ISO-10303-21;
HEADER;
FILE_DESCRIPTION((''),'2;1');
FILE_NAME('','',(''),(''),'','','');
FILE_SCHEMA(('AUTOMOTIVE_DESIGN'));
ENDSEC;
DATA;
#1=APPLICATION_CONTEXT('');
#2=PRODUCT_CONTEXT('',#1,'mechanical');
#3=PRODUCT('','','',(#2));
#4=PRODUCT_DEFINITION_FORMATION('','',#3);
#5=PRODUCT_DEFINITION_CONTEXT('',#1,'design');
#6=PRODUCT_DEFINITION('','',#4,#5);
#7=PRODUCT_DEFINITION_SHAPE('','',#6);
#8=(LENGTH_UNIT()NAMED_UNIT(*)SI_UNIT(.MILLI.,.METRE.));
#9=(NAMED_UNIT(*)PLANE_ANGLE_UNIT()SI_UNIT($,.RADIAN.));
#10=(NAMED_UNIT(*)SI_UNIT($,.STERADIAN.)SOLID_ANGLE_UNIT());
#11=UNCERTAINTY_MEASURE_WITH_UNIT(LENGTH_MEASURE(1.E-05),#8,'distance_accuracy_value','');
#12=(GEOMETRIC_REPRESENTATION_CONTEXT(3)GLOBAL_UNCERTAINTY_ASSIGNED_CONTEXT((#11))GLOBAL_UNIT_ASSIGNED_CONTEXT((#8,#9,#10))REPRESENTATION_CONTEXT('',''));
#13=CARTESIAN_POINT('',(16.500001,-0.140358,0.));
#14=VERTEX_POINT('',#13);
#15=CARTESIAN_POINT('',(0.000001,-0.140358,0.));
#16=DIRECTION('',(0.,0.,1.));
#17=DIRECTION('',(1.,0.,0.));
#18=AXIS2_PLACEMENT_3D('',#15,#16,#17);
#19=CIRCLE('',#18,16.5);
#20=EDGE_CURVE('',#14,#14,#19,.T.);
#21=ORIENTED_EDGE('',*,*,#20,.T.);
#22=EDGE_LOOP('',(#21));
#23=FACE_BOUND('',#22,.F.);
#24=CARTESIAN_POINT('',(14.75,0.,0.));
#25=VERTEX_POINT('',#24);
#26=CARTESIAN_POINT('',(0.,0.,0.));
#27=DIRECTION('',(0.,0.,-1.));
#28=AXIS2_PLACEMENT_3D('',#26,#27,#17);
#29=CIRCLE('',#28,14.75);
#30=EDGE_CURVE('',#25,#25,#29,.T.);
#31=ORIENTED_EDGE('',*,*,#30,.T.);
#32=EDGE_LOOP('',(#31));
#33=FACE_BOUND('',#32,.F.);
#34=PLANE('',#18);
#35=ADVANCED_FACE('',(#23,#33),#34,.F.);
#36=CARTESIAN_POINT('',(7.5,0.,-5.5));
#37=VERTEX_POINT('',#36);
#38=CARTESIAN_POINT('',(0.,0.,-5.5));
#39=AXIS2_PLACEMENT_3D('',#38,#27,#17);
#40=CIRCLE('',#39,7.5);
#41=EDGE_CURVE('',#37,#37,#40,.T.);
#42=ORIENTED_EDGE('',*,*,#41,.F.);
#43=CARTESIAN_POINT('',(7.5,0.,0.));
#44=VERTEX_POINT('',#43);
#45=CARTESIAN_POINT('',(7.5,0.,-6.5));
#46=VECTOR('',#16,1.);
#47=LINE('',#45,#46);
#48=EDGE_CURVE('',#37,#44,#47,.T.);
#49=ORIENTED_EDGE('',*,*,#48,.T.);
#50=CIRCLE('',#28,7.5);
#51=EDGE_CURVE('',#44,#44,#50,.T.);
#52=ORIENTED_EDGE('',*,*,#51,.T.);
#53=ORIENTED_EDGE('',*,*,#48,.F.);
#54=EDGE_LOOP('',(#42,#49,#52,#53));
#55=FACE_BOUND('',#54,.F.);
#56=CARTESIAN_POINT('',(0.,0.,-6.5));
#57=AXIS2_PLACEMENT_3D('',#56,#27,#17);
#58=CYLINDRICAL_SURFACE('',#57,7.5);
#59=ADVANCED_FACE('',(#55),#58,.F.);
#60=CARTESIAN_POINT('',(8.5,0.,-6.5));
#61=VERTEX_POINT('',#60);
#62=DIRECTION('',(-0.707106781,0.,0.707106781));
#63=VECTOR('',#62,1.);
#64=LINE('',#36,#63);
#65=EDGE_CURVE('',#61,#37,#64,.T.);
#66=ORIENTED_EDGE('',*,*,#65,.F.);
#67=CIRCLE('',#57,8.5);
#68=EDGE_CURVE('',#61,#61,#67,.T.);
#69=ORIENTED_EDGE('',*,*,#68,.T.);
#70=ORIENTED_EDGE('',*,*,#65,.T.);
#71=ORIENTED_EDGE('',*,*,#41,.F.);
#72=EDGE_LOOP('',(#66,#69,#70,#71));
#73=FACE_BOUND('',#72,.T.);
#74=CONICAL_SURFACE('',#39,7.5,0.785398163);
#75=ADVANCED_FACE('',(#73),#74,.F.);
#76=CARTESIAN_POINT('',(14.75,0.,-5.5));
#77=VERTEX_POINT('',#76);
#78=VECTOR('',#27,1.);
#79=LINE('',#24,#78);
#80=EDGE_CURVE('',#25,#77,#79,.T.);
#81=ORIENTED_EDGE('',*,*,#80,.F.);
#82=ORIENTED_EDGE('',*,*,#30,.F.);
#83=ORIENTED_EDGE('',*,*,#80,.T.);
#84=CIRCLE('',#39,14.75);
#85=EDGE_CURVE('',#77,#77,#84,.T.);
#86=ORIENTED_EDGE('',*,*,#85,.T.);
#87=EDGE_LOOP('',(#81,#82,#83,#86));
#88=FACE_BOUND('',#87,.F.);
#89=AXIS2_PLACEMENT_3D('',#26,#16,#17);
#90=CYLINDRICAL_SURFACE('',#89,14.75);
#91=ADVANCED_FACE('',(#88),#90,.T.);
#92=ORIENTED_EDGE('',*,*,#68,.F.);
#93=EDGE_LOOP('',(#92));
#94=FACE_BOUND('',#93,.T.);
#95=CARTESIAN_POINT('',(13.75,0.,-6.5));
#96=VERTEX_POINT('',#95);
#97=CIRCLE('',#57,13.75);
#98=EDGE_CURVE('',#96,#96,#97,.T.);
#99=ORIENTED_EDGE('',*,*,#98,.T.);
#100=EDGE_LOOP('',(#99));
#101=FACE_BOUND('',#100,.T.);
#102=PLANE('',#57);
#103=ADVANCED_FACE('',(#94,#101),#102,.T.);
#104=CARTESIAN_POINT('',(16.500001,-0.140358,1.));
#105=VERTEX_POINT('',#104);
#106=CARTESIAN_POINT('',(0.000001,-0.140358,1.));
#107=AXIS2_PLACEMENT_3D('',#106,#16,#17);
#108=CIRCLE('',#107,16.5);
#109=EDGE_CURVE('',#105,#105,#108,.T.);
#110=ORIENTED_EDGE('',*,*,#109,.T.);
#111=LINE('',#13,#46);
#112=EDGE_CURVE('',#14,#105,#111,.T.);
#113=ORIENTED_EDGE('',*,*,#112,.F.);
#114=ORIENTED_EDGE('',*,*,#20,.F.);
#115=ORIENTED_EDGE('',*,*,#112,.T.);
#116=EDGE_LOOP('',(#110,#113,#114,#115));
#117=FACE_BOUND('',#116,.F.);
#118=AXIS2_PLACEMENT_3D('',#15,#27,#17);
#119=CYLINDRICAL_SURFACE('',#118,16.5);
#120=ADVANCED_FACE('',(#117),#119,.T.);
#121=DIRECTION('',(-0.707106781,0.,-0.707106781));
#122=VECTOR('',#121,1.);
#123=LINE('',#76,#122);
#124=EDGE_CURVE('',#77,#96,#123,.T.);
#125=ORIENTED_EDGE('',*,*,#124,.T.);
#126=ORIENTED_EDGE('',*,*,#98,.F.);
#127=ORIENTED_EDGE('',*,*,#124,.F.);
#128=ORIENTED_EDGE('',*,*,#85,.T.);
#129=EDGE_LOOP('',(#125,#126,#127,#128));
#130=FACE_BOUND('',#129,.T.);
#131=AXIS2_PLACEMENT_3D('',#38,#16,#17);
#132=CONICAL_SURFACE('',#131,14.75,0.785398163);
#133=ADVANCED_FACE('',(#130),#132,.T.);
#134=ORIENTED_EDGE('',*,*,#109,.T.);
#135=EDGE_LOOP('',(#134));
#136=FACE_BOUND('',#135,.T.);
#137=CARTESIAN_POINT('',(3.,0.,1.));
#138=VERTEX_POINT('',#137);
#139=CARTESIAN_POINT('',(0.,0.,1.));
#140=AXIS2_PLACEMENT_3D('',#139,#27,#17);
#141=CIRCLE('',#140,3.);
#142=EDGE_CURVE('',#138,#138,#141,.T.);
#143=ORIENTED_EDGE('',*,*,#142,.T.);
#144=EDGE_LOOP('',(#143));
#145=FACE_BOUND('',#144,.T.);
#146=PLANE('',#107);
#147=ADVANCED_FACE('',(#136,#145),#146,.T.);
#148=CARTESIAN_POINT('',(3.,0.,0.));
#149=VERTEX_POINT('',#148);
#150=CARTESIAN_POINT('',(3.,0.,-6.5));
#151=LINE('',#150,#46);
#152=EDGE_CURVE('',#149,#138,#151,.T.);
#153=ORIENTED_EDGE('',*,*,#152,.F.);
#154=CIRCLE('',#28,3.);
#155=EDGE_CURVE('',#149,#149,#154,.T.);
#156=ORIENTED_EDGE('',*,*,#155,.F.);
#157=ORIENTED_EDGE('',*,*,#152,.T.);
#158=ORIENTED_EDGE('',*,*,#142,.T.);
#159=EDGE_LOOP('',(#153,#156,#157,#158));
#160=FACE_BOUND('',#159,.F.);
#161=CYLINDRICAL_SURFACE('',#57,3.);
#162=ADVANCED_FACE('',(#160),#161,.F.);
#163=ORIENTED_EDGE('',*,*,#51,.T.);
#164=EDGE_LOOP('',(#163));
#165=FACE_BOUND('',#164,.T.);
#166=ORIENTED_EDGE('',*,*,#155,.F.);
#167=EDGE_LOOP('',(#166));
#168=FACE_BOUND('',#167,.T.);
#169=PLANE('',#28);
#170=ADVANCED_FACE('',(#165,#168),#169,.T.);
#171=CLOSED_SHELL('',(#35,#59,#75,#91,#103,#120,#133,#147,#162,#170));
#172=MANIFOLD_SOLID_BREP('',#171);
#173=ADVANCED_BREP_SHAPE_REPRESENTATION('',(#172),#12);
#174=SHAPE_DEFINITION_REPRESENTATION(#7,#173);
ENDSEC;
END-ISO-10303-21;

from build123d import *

# Parameters (mm, degrees)
F0_R     = 16.5
F1_DEPTH = 1
F2_R     = 14.75
F3_DEPTH = 6.5
F4_R     = 3
F5_DEPTH = 25
F6_R     = 7.5
F7_DEPTH = 6.5
F8_SIZE  = 1


with BuildPart() as f1:
    # F0 (on Top) → F1 (new body)
    with BuildSketch(Plane.XY):
        with Locations((1e-06, -0.140358)):
            Circle(F0_R)
    extrude(amount=F1_DEPTH)

    # F2 (on face) → F3 (join)
    with BuildSketch(Plane(origin=(0, 0, 0), x_dir=(1, 0, 0), z_dir=(0, 0, -1))):
        Circle(F2_R)
    extrude(amount=F3_DEPTH)

    # F4 (on face) → F5 (cut)
    with BuildSketch(Plane(origin=(0, 0, -6.5), x_dir=(1, 0, 0), z_dir=(0, 0, -1))):
        Circle(F4_R)
    extrude(amount=-F5_DEPTH, mode=Mode.SUBTRACT)

    # F6 (on face) → F7 (cut, through all)
    with BuildSketch(Plane(origin=(0, 0, -6.5), x_dir=(1, 0, 0), z_dir=(0, 0, -1))):
        Circle(F6_R)
    extrude(amount=-F7_DEPTH, mode=Mode.SUBTRACT)

    # F8
    f8_edges = [f1.edges().sort_by_distance(p)[0] for p in [
        (-7.5, 0, -6.5),
        (-14.75, 0, -6.5),
    ]]
    chamfer(f8_edges, length=F8_SIZE)


solid = f1.part
